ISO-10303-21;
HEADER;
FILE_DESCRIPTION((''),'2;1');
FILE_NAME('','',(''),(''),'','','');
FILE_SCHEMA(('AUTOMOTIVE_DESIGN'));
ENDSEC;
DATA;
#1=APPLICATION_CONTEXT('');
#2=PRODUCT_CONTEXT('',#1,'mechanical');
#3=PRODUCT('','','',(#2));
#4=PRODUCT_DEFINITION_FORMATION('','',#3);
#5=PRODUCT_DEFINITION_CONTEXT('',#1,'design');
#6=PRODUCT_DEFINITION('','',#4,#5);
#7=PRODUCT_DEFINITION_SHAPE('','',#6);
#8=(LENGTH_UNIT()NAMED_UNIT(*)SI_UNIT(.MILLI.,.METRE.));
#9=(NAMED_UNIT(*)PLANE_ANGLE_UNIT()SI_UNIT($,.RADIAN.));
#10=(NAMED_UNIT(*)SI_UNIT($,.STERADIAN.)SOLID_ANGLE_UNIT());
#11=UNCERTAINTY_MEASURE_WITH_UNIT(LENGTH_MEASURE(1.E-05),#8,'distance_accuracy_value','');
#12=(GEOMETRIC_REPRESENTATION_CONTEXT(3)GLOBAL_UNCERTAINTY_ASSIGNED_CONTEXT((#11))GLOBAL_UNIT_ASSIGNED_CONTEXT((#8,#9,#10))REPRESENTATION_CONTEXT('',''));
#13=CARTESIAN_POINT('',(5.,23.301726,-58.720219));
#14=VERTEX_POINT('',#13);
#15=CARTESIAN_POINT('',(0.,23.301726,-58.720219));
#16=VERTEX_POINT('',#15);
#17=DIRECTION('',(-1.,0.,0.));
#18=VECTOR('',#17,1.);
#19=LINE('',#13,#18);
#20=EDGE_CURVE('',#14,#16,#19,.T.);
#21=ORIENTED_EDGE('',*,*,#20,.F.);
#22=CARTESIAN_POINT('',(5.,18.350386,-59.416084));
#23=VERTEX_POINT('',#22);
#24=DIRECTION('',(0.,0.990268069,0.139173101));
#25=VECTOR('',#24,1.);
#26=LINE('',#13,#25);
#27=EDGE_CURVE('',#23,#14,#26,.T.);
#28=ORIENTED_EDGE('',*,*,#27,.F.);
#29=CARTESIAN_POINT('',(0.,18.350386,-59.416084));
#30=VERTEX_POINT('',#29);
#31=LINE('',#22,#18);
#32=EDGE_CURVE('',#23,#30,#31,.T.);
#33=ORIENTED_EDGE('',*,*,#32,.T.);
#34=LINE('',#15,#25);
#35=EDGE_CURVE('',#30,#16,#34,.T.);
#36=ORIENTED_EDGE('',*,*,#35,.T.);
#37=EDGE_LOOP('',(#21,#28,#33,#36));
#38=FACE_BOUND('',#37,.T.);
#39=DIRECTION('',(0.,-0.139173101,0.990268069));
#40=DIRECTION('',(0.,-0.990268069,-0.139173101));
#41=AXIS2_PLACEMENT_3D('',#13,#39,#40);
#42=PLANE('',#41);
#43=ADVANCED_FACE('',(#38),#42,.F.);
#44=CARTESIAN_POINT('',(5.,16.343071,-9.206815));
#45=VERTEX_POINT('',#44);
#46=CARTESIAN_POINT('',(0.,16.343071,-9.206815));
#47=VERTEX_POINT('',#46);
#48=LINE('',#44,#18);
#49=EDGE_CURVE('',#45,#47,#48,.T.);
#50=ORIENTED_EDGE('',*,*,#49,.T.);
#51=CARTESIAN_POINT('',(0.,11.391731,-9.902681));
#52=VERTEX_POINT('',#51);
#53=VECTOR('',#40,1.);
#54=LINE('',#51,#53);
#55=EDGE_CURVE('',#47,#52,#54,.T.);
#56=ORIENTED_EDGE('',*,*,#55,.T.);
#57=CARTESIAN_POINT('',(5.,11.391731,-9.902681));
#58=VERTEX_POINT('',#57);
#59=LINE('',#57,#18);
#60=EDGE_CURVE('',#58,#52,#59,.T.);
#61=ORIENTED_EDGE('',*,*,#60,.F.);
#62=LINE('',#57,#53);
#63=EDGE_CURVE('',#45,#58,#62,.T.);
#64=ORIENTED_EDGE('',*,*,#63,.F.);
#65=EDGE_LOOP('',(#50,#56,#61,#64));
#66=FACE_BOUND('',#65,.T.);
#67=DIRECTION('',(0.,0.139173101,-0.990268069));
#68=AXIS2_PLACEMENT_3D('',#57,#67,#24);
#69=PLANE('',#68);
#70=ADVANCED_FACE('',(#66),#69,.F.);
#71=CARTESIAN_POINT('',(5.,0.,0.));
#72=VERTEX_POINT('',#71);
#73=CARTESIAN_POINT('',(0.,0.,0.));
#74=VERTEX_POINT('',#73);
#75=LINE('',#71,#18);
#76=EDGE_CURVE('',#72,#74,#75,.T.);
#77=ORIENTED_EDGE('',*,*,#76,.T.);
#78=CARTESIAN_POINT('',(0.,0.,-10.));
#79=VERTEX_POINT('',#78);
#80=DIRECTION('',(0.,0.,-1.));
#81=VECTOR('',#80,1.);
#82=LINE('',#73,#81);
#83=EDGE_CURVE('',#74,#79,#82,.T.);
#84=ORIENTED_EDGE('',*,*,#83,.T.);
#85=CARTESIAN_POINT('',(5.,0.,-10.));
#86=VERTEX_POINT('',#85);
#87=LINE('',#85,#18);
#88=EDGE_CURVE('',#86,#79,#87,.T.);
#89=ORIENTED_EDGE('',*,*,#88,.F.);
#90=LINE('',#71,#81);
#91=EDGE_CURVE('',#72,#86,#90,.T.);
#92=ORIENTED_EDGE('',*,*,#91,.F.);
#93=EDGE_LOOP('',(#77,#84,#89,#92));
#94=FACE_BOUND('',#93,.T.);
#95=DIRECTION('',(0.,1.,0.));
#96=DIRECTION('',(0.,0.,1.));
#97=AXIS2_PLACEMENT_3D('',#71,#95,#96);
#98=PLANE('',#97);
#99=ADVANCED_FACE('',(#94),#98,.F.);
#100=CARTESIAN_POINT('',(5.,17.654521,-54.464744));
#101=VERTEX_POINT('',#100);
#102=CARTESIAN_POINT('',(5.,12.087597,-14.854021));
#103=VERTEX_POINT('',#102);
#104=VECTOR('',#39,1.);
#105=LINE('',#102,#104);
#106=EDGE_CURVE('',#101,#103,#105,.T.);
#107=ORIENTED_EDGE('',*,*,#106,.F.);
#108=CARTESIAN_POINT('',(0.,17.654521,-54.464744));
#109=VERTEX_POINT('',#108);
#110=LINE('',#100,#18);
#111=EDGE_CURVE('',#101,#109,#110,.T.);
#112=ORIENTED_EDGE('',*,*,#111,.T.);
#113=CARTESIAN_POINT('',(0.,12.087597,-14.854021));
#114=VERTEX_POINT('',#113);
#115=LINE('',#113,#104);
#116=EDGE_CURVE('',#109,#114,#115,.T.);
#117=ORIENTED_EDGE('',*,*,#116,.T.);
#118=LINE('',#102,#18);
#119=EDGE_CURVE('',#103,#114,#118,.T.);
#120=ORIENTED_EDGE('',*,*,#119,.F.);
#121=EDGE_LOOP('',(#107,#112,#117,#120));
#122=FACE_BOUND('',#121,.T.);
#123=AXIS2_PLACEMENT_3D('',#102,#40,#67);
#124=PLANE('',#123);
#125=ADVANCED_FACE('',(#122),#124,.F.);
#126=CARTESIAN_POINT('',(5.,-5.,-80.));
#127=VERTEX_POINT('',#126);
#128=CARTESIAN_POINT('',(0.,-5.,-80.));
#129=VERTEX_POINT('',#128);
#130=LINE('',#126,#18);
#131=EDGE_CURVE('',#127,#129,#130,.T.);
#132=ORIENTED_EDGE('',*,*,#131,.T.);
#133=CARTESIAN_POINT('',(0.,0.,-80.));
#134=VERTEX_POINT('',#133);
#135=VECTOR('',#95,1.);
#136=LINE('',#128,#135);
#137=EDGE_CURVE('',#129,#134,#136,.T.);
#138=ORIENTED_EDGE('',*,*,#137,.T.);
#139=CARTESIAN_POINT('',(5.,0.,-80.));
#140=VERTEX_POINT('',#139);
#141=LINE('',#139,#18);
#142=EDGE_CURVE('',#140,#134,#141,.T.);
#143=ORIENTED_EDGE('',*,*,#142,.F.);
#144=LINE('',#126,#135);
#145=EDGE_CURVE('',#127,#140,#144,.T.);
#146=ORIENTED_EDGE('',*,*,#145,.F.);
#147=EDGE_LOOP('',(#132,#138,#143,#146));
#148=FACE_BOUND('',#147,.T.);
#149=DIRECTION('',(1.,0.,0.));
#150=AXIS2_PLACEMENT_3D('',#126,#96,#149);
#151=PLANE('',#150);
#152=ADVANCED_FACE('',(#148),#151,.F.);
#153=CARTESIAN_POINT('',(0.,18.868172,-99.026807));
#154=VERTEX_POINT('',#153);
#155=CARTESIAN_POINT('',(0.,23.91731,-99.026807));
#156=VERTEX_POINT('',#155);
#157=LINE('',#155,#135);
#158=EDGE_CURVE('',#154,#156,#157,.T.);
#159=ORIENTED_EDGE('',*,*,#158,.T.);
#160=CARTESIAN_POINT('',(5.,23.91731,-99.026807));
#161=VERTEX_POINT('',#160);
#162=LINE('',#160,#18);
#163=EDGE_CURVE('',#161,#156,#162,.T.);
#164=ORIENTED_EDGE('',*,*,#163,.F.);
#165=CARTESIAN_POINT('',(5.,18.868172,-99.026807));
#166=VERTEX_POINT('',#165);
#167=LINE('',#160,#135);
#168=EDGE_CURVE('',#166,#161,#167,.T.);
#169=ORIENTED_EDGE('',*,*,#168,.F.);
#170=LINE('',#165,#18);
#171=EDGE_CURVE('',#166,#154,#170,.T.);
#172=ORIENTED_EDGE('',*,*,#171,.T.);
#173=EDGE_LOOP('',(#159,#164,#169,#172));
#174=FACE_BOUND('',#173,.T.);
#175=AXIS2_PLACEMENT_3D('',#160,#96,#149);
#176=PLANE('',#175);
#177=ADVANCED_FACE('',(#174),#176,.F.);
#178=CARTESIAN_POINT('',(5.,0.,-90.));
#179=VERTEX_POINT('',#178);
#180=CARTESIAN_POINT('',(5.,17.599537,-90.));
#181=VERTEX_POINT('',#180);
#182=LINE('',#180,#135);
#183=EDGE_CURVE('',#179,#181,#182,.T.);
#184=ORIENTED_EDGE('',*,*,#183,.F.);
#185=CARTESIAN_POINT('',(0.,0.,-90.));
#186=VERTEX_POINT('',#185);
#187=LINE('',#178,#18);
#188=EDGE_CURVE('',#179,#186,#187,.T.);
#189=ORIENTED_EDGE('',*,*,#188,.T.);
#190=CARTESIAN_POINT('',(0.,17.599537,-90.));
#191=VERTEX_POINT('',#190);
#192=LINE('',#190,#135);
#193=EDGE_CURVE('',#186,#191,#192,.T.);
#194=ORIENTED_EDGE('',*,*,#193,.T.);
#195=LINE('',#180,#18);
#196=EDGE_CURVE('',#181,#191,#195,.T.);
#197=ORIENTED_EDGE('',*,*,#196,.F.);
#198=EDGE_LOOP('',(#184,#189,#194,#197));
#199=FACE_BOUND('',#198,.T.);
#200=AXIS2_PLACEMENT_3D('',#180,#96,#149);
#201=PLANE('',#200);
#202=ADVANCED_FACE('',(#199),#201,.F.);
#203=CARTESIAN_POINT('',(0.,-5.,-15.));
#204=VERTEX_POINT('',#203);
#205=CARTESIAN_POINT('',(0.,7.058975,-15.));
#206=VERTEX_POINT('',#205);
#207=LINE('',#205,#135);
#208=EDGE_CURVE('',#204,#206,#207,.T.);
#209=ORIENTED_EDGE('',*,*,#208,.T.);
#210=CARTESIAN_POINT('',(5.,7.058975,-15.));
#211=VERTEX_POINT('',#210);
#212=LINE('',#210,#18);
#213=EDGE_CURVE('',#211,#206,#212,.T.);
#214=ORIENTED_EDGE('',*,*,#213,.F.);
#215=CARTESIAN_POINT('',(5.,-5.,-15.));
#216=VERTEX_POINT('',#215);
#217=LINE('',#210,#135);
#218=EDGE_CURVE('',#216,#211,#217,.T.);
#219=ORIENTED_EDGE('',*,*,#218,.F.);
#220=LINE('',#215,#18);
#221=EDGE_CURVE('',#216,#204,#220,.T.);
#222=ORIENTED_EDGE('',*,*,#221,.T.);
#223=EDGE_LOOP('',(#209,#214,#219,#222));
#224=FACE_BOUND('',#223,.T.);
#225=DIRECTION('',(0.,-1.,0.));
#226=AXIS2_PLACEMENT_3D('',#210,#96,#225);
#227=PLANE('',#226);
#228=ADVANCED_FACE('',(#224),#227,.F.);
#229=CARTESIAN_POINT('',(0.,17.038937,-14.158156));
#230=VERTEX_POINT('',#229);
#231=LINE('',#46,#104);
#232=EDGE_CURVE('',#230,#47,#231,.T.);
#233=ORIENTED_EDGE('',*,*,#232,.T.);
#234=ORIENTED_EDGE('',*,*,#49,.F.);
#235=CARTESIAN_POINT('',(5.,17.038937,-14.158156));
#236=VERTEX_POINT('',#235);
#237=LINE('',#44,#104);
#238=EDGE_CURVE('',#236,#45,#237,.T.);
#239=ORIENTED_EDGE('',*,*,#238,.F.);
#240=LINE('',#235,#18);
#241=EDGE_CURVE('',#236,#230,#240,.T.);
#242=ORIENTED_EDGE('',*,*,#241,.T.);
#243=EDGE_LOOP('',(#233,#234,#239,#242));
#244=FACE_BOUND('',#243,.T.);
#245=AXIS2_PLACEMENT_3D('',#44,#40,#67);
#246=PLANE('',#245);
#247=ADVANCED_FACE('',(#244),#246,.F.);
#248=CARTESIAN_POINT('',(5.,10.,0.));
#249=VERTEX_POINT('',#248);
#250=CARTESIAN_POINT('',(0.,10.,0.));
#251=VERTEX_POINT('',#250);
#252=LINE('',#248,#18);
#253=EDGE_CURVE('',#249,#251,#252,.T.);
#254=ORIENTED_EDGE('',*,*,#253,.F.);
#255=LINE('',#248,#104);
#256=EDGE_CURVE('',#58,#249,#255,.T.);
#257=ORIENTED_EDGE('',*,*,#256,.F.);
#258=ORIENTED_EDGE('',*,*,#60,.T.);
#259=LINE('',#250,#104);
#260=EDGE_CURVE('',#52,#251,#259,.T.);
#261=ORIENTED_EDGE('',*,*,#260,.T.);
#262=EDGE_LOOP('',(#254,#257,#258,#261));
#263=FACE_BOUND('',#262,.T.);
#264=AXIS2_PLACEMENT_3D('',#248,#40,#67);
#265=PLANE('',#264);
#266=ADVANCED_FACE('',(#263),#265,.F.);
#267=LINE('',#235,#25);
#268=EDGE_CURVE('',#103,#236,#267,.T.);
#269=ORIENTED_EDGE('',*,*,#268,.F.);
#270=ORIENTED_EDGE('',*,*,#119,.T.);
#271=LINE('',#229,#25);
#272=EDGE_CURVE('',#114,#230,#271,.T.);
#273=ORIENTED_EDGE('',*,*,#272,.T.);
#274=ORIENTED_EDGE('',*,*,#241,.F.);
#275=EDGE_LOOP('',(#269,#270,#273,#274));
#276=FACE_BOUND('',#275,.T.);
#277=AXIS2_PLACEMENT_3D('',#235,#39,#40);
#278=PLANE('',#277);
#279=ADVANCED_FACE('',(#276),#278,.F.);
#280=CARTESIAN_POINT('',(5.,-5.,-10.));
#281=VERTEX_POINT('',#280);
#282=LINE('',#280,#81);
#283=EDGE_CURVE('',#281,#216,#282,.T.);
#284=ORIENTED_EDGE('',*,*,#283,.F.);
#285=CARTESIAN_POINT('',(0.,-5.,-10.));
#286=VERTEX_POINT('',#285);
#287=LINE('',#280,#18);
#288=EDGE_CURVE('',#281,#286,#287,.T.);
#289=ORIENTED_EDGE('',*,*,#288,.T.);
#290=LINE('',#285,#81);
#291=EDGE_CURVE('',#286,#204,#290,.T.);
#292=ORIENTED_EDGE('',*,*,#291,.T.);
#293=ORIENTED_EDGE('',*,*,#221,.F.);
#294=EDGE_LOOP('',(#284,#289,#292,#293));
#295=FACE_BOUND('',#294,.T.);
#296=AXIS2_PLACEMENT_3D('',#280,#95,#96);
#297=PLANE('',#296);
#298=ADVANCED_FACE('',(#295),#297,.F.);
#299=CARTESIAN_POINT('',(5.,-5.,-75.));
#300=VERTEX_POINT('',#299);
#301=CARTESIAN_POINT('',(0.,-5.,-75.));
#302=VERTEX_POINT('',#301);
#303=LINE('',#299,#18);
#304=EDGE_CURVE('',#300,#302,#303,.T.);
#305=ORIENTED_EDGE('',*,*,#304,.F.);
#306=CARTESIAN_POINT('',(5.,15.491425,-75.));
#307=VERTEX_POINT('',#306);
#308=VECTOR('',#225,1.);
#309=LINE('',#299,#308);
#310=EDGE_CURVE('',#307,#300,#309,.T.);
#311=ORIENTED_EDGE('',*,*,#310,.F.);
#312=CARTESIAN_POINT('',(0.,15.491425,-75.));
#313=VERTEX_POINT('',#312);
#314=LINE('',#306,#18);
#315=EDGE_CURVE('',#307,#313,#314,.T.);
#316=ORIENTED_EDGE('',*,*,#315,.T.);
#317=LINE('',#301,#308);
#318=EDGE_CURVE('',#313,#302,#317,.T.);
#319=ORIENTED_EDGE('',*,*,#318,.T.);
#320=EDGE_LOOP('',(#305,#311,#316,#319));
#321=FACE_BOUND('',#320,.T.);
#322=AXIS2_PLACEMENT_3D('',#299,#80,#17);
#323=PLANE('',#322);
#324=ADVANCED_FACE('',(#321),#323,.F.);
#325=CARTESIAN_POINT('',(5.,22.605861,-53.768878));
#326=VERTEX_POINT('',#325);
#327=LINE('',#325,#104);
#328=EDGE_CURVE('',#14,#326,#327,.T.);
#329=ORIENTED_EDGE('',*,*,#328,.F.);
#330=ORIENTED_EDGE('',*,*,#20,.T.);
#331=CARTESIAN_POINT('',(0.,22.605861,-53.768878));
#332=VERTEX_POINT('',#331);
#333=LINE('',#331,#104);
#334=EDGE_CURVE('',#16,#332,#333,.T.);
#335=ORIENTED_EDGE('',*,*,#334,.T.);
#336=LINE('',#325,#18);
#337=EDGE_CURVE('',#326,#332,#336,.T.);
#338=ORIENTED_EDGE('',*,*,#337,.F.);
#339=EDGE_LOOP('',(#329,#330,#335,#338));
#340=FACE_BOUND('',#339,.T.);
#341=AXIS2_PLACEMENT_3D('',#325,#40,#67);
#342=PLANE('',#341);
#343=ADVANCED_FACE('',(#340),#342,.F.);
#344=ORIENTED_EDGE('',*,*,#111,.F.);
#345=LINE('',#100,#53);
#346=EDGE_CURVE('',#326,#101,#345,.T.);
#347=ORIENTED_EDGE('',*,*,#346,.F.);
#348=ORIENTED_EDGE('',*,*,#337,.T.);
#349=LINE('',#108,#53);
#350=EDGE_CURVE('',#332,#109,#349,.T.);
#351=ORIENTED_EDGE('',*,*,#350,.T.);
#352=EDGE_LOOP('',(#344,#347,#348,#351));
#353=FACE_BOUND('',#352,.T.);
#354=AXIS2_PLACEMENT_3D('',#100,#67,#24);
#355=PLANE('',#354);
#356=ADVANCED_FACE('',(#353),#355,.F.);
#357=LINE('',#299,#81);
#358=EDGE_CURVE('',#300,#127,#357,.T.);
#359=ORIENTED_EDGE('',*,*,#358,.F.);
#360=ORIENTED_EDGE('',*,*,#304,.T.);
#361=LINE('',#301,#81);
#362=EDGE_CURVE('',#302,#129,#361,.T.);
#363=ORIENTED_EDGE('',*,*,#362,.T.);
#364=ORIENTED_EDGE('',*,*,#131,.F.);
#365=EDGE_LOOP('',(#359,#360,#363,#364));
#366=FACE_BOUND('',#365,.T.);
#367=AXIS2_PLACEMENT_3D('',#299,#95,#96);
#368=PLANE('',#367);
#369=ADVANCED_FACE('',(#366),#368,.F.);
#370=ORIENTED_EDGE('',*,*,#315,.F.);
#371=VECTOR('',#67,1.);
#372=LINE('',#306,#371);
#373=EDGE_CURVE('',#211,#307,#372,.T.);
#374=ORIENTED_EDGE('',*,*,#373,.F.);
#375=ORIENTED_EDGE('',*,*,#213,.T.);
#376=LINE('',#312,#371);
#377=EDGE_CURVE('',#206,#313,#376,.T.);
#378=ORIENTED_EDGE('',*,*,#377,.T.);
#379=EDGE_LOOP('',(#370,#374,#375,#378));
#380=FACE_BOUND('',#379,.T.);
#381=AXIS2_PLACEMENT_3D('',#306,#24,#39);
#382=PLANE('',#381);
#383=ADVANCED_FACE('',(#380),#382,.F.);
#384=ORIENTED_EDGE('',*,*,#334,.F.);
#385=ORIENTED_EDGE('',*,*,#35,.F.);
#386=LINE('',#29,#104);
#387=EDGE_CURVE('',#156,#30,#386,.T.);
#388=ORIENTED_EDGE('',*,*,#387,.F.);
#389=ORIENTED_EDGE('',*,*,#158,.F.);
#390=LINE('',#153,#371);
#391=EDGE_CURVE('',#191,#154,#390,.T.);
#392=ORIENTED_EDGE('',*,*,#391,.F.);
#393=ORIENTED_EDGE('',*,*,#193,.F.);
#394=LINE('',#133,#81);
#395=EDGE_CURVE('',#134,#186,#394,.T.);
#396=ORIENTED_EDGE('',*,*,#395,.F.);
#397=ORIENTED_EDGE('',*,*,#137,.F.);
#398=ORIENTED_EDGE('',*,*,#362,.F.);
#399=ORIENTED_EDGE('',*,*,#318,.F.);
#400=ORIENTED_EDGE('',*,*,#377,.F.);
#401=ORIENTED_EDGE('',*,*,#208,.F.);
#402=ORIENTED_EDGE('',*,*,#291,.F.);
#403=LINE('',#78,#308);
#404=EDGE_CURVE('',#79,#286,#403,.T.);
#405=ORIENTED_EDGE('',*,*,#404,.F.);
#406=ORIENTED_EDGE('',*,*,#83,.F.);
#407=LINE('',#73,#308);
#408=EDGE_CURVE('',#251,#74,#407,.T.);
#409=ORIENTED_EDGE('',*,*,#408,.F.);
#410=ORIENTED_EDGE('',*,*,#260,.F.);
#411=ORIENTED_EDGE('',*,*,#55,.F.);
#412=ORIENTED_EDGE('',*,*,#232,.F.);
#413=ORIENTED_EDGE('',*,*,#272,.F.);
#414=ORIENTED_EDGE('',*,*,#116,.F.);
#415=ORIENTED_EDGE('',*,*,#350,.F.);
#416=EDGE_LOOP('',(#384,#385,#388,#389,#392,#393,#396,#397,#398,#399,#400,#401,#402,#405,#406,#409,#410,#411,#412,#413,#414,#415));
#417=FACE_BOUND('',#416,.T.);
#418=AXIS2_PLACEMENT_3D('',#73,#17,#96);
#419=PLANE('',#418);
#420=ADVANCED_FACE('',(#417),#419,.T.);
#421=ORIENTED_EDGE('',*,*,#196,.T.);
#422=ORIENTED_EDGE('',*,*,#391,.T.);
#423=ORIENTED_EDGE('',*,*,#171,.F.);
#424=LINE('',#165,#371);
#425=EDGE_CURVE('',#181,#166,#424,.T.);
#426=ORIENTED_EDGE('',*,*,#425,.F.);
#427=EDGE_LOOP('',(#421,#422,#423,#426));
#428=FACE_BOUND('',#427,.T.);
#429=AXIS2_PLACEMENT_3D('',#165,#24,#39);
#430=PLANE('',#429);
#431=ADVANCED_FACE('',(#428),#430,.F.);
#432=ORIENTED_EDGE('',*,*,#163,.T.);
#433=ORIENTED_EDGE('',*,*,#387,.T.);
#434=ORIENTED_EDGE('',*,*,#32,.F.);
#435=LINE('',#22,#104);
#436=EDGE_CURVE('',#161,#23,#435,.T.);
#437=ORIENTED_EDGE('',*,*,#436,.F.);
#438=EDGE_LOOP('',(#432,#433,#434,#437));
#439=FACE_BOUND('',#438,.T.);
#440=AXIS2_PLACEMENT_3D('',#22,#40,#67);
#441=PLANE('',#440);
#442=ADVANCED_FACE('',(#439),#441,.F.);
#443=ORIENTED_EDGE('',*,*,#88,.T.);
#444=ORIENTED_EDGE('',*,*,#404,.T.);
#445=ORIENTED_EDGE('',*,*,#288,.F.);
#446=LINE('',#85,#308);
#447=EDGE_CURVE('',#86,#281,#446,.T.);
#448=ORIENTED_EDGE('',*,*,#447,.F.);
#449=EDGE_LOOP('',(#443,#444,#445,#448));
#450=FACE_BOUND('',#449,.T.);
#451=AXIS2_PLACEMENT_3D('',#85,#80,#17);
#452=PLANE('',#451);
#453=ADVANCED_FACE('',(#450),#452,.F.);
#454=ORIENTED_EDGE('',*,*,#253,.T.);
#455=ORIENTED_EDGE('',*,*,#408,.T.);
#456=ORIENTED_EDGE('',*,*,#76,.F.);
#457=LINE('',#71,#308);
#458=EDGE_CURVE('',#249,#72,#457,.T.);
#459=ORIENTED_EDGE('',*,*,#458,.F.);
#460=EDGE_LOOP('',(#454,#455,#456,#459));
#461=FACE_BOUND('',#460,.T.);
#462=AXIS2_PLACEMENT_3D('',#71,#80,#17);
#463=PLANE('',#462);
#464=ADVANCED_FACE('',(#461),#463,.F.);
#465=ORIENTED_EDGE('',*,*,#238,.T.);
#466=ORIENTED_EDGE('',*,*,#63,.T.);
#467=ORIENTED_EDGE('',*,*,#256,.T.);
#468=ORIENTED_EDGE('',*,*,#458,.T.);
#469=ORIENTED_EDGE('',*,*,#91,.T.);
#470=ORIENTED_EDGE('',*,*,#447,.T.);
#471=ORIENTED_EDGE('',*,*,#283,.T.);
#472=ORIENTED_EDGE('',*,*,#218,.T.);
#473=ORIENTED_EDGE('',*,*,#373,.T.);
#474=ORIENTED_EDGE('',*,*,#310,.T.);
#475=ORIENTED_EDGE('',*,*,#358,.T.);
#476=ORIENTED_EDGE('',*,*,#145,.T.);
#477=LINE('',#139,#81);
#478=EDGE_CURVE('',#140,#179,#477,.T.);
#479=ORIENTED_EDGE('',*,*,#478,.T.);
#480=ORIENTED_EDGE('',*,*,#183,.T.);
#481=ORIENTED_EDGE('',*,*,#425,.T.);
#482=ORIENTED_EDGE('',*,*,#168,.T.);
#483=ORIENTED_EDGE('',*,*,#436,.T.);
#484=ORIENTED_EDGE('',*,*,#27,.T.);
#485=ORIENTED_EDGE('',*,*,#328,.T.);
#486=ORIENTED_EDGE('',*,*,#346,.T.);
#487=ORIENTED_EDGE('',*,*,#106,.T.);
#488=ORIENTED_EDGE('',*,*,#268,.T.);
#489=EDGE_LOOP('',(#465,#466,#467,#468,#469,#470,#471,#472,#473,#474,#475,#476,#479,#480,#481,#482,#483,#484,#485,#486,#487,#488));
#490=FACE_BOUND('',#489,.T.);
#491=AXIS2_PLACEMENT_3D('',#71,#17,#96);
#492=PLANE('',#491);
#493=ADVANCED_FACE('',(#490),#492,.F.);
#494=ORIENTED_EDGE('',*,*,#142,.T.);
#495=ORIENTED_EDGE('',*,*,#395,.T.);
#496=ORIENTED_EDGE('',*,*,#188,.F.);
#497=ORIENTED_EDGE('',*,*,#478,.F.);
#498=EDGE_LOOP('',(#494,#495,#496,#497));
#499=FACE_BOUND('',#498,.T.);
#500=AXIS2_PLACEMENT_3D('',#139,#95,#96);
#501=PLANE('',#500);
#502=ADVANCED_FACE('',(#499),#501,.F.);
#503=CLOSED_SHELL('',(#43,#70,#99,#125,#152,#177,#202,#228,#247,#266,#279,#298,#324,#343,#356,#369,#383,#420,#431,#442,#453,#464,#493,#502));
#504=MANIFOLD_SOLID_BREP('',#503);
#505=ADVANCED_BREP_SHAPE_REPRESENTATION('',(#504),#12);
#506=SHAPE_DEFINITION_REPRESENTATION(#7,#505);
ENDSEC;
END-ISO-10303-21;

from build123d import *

# Parameters (mm, degrees)
BOSS_EXTRUDE1_DEPTH = 5


with BuildPart() as part:
    # Sketch1 → Boss-Extrude1 (new body)
    with BuildSketch(Plane(origin=(0, 0, 0), x_dir=(0, 0, -1), z_dir=(1, 0, 0))):
        Polygon((0, 0), (0, 10), (9.902680687, 11.39173101), (9.206815183, 16.343071353), (14.158155526, 17.038936858), (14.854021031, 12.087596514), (54.464743781, 17.654520553), (53.768878276, 22.605860897), (58.72021862, 23.301726401), (59.416084124, 18.350386058), (99.026806874, 23.917310096), (99.026806874, 18.868172233), (90, 17.599537261), (90, 0), (80, 0), (80, -5), (75, -5), (75, 15.49142474), (15, 7.058974658), (15, -5), (10, -5), (10, 0), align=None)
    extrude(amount=BOSS_EXTRUDE1_DEPTH)


solid = part.part
